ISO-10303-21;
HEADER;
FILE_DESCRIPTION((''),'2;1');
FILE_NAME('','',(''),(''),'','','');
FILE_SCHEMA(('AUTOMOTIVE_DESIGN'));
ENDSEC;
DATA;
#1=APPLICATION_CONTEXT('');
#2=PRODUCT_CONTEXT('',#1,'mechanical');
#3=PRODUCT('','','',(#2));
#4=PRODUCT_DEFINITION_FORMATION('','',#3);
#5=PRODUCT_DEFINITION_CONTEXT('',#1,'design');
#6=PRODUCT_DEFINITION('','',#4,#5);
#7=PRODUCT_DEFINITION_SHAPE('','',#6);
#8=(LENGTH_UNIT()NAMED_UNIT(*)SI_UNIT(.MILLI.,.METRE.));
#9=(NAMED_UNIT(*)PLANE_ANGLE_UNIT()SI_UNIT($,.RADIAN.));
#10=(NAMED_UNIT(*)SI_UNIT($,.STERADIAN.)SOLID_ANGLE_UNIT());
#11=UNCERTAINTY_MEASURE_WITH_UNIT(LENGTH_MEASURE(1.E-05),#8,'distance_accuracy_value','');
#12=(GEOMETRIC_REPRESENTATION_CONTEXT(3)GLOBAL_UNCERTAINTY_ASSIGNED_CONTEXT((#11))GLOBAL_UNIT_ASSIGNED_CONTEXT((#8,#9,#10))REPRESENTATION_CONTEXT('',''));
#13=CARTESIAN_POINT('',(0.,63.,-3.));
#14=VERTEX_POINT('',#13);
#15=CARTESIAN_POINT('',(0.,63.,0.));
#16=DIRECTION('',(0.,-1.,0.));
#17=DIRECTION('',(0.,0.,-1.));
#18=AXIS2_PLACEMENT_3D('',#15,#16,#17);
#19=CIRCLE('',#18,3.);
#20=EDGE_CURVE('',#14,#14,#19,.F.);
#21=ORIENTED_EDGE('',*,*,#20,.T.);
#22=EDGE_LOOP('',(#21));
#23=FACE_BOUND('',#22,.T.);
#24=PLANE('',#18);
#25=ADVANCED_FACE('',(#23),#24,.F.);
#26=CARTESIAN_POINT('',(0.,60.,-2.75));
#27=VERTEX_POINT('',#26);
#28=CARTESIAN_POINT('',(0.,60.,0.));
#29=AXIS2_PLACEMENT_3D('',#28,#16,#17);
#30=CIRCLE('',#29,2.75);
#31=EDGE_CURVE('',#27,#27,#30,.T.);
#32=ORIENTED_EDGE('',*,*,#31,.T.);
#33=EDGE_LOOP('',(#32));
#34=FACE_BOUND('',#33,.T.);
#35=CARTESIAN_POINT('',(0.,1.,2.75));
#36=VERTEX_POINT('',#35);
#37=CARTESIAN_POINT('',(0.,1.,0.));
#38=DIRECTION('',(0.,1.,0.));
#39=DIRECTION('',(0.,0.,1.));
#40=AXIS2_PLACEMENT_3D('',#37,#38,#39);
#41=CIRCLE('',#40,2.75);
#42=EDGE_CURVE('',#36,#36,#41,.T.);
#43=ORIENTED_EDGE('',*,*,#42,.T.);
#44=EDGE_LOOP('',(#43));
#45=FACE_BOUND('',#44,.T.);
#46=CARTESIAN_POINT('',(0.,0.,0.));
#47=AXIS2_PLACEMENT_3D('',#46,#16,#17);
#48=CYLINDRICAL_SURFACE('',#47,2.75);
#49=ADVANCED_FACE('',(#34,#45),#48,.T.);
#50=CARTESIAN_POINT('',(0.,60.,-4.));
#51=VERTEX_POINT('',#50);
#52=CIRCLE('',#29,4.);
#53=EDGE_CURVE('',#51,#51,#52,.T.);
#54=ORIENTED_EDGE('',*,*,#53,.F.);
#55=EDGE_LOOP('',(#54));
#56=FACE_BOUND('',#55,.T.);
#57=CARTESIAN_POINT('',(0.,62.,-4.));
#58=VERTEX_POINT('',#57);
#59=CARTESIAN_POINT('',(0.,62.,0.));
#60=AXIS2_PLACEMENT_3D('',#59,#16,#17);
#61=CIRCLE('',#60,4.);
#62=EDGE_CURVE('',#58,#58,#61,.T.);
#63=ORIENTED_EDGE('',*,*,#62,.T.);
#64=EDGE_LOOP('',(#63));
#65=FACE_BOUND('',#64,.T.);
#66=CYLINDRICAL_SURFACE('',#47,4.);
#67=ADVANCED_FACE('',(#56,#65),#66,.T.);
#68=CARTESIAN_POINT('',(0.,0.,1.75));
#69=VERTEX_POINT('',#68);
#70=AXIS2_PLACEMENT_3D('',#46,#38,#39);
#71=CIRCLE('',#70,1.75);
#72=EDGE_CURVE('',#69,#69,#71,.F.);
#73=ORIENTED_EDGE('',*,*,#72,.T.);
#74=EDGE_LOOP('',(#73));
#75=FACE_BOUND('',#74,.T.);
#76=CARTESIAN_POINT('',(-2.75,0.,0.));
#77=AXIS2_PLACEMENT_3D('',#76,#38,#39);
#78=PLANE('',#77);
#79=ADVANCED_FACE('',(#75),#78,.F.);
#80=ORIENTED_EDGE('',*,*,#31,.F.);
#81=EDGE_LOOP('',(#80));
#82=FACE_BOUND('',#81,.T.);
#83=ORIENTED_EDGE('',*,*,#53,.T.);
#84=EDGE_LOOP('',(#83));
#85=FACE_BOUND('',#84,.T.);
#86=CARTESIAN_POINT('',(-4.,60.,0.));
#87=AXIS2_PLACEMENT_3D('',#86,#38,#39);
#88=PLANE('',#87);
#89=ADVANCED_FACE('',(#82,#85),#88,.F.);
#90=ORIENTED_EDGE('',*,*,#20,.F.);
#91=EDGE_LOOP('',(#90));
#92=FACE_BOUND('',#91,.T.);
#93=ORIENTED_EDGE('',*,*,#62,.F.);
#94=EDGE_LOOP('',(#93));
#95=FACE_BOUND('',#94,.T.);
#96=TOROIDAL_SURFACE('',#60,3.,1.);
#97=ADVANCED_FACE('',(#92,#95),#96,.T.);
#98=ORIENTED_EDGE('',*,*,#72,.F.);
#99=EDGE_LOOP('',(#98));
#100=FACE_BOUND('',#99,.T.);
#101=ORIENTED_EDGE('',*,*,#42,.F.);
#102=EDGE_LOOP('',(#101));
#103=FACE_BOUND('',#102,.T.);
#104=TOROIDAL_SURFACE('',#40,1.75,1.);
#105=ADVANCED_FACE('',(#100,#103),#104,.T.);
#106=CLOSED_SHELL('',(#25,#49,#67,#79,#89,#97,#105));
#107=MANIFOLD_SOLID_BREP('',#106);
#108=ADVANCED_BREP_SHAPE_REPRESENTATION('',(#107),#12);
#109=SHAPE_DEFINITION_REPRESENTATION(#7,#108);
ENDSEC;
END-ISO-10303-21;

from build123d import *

# Parameters (mm, degrees)
FILLET1_R = 1


with BuildPart() as part:
    # Sketch1 → Revolve1 (revolve)
    with BuildSketch(Plane.XY):
        Polygon((0, 0), (0, 63), (-4, 63), (-4, 60), (-2.75, 60), (-2.75, 0), align=None)
    revolve(axis=Axis((0, 0, 0), (0, 1, 0)))

    # Fillet1
    fillet1_edges = [part.edges().sort_by_distance(p)[0] for p in [
        (2.75, 0, 0),
        (4, 63, 0),
    ]]
    fillet(fillet1_edges, radius=FILLET1_R)


solid = part.part
